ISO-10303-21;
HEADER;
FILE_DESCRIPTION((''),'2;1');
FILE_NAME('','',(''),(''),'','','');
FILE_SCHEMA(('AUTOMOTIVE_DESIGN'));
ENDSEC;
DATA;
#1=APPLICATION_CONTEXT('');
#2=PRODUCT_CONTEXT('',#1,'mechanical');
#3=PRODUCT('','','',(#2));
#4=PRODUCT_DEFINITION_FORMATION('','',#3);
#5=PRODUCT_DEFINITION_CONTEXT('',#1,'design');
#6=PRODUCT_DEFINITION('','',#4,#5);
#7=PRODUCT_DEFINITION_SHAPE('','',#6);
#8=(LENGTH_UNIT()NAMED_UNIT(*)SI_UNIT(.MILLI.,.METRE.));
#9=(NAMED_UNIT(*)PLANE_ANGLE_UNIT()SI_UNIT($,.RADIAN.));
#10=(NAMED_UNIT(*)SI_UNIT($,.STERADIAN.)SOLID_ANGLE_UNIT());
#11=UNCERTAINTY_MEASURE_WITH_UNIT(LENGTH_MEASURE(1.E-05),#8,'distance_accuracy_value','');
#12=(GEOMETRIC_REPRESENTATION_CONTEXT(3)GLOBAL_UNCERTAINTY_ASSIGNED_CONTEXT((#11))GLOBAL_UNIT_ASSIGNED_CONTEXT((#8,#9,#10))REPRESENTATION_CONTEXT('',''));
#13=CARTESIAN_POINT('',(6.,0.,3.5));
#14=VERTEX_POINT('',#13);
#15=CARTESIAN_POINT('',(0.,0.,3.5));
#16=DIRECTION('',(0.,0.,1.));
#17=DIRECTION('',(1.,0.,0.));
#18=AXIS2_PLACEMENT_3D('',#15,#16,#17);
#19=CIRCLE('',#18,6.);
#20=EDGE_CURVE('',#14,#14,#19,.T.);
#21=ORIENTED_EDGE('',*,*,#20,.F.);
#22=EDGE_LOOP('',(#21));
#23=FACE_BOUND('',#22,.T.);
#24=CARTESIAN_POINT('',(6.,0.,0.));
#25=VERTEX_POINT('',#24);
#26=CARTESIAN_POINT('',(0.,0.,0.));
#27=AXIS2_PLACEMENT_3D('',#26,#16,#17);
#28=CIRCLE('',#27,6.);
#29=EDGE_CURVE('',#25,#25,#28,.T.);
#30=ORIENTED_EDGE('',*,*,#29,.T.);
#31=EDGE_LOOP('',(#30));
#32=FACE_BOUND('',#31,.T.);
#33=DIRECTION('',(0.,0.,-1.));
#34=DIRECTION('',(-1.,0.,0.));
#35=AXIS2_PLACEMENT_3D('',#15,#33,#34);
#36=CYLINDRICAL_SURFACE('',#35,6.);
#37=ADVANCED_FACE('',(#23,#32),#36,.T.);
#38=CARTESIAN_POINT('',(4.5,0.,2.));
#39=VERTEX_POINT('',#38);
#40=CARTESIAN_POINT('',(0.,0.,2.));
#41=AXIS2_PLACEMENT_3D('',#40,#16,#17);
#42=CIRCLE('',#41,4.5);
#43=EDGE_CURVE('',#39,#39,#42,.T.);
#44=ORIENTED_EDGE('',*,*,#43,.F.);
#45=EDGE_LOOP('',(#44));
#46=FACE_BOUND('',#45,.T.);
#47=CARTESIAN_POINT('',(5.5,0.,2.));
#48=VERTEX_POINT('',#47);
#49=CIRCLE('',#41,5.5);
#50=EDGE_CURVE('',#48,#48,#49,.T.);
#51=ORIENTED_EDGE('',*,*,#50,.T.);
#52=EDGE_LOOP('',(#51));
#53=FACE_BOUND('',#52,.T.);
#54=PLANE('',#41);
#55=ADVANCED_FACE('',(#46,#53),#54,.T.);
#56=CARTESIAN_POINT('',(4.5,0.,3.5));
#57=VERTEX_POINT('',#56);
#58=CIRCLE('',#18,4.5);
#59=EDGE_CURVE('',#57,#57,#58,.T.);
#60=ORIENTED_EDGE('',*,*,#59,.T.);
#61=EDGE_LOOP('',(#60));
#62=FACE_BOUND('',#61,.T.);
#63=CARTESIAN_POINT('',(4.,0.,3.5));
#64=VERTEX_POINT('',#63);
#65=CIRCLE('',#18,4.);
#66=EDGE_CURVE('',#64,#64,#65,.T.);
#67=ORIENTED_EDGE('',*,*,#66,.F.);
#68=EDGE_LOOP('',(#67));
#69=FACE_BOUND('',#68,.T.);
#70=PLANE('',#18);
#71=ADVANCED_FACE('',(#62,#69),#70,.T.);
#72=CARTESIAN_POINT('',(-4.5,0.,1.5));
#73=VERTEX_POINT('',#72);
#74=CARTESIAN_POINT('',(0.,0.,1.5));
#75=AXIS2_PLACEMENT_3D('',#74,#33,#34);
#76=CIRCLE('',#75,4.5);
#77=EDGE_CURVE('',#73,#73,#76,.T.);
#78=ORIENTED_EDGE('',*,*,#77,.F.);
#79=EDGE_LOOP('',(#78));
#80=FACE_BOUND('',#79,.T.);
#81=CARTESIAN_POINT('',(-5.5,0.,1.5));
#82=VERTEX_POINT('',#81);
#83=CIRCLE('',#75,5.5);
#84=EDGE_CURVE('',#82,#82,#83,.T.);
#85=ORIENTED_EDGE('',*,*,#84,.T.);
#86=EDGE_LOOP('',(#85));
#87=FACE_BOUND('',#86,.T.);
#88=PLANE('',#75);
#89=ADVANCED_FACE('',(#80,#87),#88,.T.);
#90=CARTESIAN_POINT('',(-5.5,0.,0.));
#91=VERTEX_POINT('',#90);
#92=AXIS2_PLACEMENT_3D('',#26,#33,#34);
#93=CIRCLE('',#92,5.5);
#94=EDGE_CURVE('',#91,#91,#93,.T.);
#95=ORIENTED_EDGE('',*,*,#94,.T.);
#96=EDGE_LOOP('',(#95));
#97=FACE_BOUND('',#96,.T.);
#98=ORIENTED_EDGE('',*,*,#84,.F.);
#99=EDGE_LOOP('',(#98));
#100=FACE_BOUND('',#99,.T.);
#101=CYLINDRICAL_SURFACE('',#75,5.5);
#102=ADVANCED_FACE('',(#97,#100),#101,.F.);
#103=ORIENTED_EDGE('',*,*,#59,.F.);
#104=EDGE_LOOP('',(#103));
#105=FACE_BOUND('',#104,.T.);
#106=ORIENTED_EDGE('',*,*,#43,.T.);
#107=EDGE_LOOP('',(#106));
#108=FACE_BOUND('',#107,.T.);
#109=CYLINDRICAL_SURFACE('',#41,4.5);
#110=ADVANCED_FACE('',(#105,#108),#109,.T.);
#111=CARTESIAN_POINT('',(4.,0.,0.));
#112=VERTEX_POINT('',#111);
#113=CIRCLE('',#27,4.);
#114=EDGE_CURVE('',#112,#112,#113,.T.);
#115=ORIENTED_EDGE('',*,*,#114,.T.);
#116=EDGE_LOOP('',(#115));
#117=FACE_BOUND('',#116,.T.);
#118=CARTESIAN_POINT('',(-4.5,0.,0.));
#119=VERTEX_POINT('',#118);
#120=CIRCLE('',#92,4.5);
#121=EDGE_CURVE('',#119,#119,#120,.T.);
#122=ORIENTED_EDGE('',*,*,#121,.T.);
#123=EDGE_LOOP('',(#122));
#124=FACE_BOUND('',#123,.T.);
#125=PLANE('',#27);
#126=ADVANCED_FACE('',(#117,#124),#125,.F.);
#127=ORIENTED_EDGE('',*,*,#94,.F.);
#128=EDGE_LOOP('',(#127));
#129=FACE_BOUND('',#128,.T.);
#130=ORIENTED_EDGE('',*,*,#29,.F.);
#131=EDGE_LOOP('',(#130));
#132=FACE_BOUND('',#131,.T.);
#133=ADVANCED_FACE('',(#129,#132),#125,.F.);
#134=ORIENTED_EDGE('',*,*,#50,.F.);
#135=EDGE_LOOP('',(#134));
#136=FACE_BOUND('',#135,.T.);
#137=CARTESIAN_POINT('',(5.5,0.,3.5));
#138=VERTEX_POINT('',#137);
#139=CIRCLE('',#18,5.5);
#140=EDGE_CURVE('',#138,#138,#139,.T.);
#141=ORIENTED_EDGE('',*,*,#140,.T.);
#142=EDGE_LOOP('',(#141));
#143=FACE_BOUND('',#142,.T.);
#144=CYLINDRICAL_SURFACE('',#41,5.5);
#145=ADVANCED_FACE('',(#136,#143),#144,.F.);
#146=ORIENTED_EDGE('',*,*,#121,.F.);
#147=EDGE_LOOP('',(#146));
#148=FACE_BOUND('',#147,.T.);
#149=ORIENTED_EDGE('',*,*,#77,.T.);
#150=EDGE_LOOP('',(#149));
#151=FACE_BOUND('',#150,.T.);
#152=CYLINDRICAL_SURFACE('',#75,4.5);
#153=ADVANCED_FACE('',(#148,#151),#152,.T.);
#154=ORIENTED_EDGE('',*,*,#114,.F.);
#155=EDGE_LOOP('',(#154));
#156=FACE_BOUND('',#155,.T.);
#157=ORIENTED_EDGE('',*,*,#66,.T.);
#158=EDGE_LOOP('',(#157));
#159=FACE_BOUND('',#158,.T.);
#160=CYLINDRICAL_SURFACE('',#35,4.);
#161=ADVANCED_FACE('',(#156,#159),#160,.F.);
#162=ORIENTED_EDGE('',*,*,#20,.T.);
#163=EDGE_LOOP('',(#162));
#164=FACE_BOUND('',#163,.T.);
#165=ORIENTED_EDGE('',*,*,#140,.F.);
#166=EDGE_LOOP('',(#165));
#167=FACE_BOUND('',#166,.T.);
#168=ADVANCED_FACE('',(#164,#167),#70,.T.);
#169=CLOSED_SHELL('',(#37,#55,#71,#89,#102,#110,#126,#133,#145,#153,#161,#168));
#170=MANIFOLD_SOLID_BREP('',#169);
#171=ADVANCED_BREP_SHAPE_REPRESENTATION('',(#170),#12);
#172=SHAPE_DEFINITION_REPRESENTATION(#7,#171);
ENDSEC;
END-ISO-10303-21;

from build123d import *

# Parameters (mm, degrees)
SKETCH_1_R          = 6
SKETCH_1_R_2        = 4
EXTRUDE_1_DEPTH     = 3.5
SKETCH_2_R          = 5.5
SKETCH_2_R_2        = 4.5
CUT_EXTRUDE_1_DEPTH = 1.5
CUT_EXTRUDE_START   = -1.5
SKETCH_3_R          = 5.5
SKETCH_3_R_2        = 4.5
CUT_EXTRUDE_2_DEPTH = 1.5


with BuildPart() as part:
    # 草图1 → 凸台-拉伸1 (new body)
    with BuildSketch(Plane.XY):
        Circle(SKETCH_1_R)
        Circle(SKETCH_1_R_2, mode=Mode.SUBTRACT)
    extrude(amount=EXTRUDE_1_DEPTH)

    # 草图2 → 切除-拉伸1 (cut)
    with BuildSketch(Plane.XY.offset(3.5)):
        Circle(SKETCH_2_R)
        Circle(SKETCH_2_R_2, mode=Mode.SUBTRACT)
    extrude(amount=-CUT_EXTRUDE_1_DEPTH, mode=Mode.SUBTRACT)

    # 草图3 → 切除-拉伸2 (cut)
    with BuildSketch(Plane(origin=(0, 0, 0), x_dir=(-1, 0, 0), z_dir=(0, 0, -1)).offset(CUT_EXTRUDE_START)):
        with Locations(Location((0, 0, 0), (0, 0, 180))):
            Circle(SKETCH_3_R)
        with Locations(Location((0, 0, 0), (0, 0, 180))):
            Circle(SKETCH_3_R_2, mode=Mode.SUBTRACT)
    extrude(amount=CUT_EXTRUDE_2_DEPTH, mode=Mode.SUBTRACT)


solid = part.part
